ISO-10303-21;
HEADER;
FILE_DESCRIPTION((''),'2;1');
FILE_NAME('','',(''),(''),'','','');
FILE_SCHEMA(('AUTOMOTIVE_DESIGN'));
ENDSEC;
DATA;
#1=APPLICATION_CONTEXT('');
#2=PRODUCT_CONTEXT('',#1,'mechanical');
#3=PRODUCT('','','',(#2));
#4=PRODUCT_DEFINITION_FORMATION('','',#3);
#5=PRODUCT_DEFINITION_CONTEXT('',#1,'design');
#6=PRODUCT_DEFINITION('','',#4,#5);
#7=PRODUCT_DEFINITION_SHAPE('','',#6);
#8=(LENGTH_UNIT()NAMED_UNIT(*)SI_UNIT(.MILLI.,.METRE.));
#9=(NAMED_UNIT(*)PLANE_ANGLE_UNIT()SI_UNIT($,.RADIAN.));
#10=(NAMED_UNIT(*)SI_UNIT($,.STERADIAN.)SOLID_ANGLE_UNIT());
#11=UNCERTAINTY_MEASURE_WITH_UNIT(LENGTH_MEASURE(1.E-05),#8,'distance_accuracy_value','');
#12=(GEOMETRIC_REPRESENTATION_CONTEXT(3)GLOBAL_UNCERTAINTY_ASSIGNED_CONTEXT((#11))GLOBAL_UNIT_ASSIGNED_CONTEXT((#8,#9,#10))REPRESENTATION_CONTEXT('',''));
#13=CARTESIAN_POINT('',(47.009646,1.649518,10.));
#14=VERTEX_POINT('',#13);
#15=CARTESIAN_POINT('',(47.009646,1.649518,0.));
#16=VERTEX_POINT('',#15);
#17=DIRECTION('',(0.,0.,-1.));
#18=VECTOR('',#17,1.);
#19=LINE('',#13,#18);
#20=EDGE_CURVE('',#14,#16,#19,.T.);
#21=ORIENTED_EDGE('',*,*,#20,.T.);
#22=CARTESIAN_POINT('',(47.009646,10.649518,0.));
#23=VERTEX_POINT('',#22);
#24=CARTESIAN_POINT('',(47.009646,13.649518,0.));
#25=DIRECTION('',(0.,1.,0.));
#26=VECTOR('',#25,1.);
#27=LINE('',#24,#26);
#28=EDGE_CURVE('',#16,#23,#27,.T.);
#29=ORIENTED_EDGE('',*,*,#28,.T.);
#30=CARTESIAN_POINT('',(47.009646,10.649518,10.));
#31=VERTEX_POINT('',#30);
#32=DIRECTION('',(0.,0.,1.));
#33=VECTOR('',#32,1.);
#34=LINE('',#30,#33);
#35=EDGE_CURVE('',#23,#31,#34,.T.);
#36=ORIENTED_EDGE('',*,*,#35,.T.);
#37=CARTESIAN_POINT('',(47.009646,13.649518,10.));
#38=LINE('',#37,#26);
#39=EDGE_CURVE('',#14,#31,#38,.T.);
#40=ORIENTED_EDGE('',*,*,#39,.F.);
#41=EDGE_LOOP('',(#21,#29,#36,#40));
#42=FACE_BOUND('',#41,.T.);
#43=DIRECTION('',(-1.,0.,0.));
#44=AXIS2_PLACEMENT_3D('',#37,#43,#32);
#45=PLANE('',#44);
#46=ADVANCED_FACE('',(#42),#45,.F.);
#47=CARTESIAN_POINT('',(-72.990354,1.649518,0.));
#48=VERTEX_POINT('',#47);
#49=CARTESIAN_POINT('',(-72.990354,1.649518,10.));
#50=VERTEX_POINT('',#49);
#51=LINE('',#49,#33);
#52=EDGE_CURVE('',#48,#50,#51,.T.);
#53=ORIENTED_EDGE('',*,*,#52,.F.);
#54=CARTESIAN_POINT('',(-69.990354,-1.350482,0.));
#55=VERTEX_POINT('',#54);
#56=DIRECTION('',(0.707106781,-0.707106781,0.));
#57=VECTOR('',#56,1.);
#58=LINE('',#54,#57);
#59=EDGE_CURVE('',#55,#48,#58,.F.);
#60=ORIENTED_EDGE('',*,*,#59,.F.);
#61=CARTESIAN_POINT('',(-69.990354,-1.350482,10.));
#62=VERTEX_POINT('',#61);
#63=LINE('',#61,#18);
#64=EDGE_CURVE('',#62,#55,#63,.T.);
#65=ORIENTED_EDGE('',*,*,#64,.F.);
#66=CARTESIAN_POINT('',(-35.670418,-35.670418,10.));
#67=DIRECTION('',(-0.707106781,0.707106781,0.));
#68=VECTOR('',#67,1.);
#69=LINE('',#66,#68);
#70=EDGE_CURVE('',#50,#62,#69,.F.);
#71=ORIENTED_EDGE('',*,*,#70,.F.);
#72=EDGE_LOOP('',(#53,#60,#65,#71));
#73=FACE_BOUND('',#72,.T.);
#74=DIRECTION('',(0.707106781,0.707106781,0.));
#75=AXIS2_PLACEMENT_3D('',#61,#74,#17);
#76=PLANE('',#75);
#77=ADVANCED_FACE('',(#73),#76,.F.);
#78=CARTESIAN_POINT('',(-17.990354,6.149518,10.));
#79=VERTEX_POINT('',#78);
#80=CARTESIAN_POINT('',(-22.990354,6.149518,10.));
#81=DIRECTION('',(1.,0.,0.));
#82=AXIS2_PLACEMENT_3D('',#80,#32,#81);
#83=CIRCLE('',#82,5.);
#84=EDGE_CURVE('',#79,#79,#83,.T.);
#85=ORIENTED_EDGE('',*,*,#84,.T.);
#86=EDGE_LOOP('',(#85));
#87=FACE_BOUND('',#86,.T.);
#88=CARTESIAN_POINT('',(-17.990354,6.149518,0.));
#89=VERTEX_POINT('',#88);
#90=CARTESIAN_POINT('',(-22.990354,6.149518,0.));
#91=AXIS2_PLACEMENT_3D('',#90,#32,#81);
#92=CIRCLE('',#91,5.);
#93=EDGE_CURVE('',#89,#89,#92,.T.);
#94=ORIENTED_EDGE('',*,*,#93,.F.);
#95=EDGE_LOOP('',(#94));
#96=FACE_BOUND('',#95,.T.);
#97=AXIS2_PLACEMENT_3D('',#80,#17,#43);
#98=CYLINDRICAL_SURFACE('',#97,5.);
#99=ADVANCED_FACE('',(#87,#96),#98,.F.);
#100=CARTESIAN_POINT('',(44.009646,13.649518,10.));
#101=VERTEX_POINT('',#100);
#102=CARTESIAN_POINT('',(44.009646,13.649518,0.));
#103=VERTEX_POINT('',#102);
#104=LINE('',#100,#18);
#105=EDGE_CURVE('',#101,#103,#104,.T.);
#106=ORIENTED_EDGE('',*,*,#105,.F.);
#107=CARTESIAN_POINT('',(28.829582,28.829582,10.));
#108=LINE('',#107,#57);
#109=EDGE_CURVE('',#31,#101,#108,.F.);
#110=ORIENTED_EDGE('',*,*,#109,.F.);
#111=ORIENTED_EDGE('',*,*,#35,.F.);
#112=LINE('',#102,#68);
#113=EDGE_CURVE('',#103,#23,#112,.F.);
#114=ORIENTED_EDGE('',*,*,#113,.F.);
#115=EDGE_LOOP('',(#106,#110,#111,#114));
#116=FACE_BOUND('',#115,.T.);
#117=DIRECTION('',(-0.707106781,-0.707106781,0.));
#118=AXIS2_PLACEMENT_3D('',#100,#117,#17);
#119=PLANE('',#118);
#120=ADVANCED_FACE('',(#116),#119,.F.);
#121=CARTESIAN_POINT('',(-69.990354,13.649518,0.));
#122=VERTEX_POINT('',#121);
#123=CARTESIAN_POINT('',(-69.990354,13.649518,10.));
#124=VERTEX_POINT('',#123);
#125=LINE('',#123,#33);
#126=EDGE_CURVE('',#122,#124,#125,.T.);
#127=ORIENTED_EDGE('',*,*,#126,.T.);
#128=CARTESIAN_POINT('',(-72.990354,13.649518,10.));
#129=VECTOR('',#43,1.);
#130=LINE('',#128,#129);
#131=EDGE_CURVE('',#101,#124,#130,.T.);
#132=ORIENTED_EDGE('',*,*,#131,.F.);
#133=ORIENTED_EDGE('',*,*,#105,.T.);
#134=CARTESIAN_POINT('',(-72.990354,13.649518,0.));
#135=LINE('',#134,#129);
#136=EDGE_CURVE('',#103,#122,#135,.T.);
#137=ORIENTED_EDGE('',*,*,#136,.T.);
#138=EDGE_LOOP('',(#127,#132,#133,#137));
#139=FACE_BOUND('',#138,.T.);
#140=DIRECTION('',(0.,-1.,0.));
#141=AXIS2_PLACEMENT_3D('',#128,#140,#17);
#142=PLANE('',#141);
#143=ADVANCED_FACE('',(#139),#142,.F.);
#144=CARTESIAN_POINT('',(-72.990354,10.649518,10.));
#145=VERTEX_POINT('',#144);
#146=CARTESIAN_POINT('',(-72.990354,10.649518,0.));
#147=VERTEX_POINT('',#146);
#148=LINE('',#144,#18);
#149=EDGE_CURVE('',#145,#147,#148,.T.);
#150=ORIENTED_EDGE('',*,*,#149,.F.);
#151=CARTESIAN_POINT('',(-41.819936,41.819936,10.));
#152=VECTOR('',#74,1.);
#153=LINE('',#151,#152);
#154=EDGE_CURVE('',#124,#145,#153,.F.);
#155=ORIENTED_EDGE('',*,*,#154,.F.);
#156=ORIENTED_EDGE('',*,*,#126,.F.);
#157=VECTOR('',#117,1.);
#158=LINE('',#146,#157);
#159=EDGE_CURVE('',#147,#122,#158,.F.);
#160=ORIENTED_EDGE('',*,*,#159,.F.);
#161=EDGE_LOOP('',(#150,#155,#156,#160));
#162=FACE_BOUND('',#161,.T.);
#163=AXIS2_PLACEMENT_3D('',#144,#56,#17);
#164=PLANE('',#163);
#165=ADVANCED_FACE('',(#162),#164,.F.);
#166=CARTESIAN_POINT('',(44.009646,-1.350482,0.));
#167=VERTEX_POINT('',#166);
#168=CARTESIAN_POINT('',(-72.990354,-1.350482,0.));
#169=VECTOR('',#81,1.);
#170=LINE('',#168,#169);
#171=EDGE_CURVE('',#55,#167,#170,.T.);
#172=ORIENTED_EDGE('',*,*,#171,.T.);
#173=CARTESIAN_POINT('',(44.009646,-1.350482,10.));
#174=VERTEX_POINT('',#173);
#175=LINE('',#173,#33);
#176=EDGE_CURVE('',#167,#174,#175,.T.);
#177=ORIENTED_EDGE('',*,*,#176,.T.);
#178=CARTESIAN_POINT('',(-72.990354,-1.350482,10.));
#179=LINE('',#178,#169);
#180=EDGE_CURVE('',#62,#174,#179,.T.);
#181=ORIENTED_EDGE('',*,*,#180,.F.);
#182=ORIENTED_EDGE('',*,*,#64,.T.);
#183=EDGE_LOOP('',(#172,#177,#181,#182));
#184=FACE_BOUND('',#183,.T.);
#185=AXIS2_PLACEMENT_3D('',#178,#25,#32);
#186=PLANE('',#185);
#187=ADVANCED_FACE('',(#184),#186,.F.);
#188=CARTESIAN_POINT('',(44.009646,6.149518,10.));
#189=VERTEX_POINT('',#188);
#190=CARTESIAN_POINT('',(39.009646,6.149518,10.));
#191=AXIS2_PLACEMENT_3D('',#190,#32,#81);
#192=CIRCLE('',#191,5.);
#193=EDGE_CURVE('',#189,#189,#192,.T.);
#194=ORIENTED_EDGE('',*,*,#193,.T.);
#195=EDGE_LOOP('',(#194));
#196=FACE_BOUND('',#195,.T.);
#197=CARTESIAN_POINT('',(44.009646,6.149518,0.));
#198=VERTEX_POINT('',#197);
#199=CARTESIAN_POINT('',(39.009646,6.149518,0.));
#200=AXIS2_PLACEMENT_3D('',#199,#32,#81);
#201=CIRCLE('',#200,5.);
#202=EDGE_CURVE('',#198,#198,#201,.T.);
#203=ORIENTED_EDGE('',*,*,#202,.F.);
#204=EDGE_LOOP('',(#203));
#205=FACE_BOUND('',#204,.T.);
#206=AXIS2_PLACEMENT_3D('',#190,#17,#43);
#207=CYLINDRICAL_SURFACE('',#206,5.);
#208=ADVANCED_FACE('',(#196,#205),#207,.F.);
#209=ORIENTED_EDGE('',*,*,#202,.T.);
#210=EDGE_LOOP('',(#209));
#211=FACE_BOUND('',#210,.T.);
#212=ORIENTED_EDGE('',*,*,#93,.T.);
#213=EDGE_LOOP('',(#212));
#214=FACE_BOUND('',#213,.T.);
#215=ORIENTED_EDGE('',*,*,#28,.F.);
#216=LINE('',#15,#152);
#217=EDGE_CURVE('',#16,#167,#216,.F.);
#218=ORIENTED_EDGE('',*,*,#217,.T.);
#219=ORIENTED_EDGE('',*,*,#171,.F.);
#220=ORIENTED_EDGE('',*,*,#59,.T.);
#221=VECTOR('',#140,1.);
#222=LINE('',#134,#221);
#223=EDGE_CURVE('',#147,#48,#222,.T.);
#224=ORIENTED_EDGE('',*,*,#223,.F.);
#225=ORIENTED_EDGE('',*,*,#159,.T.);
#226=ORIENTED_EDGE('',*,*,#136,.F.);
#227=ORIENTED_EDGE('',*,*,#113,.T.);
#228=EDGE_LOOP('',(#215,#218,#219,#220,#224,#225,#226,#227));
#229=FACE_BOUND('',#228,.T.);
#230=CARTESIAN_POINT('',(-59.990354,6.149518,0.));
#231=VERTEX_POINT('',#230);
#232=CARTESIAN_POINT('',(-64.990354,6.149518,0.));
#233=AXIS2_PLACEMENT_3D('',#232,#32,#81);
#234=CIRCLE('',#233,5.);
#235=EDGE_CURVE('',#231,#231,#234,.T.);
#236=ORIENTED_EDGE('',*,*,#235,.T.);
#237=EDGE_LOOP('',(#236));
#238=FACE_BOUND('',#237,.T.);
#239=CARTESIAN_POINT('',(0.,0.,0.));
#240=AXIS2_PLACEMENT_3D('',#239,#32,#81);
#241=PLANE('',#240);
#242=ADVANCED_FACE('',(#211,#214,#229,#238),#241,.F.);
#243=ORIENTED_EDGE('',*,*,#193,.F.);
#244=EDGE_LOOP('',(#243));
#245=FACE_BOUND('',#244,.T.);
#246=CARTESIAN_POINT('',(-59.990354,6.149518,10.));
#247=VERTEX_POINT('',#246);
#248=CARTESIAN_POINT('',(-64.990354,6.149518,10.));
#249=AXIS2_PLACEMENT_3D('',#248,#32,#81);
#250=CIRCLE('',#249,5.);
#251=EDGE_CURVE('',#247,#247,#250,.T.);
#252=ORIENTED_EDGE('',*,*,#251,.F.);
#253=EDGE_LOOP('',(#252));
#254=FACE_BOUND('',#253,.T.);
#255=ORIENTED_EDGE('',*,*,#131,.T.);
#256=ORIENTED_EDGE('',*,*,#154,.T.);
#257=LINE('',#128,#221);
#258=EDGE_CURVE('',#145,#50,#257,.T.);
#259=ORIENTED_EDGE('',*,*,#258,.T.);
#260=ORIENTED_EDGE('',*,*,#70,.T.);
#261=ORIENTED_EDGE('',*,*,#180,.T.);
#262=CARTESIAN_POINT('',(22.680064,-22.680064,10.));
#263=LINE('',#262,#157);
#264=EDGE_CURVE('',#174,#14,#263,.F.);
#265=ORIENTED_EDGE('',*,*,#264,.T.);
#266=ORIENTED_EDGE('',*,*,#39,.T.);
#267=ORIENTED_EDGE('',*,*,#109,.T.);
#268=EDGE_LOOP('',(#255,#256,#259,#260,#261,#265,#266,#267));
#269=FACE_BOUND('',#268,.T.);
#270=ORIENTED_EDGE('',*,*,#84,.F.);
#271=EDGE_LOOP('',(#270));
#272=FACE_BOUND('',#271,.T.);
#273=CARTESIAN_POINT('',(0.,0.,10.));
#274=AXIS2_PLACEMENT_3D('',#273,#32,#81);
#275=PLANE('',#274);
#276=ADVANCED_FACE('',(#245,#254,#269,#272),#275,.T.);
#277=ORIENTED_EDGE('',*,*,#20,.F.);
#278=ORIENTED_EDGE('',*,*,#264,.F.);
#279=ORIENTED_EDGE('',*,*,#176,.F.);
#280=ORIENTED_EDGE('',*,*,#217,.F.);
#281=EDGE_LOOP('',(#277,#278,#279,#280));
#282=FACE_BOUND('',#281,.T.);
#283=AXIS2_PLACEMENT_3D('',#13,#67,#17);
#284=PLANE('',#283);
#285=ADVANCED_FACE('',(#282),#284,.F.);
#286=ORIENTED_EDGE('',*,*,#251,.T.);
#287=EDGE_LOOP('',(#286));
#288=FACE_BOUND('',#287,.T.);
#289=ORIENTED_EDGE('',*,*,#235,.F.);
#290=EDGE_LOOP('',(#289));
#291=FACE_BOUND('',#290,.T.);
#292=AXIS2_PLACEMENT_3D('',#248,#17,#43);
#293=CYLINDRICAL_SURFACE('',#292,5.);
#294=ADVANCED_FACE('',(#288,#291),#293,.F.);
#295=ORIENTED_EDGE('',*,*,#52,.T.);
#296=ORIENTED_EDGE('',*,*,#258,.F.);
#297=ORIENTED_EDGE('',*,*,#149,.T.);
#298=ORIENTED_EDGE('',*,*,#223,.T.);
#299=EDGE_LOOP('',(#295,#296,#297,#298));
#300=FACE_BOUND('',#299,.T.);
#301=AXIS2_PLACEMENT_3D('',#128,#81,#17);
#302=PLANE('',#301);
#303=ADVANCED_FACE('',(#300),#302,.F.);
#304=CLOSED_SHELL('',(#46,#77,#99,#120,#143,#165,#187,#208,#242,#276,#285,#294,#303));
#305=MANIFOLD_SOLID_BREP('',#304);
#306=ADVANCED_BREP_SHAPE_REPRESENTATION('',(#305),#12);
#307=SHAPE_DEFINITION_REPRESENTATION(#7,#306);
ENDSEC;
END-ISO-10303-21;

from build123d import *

# Parameters (mm, degrees)
SKETCH_1_W      = 120
SKETCH_1_H      = 15
SKETCH_1_R      = 5
EXTRUDE_2_DEPTH = 10
CHAMFER_2_SIZE  = 3


with BuildPart() as part:
    # 草图1 → 凸台-拉伸2 (new body)
    with BuildSketch(Plane.XY):
        with Locations((-12.990353698, 6.149517685)):
            Rectangle(SKETCH_1_W, SKETCH_1_H)
        with Locations((-64.990353698, 6.149517685)):
            Circle(SKETCH_1_R, mode=Mode.SUBTRACT)
        with Locations((39.009646302, 6.149517685)):
            Circle(SKETCH_1_R, mode=Mode.SUBTRACT)
        with Locations((-22.990353698, 6.149517685)):
            Circle(SKETCH_1_R, mode=Mode.SUBTRACT)
    extrude(amount=EXTRUDE_2_DEPTH)

    # 倒角2
    chamfer_2_edges = [part.edges().sort_by_distance(p)[0] for p in [
        (47.009646302, -1.350482315, 5),
        (-72.990353698, -1.350482315, 5),
        (-72.990353698, 13.649517685, 5),
        (47.009646302, 13.649517685, 5),
    ]]
    chamfer(chamfer_2_edges, length=CHAMFER_2_SIZE)


solid = part.part
